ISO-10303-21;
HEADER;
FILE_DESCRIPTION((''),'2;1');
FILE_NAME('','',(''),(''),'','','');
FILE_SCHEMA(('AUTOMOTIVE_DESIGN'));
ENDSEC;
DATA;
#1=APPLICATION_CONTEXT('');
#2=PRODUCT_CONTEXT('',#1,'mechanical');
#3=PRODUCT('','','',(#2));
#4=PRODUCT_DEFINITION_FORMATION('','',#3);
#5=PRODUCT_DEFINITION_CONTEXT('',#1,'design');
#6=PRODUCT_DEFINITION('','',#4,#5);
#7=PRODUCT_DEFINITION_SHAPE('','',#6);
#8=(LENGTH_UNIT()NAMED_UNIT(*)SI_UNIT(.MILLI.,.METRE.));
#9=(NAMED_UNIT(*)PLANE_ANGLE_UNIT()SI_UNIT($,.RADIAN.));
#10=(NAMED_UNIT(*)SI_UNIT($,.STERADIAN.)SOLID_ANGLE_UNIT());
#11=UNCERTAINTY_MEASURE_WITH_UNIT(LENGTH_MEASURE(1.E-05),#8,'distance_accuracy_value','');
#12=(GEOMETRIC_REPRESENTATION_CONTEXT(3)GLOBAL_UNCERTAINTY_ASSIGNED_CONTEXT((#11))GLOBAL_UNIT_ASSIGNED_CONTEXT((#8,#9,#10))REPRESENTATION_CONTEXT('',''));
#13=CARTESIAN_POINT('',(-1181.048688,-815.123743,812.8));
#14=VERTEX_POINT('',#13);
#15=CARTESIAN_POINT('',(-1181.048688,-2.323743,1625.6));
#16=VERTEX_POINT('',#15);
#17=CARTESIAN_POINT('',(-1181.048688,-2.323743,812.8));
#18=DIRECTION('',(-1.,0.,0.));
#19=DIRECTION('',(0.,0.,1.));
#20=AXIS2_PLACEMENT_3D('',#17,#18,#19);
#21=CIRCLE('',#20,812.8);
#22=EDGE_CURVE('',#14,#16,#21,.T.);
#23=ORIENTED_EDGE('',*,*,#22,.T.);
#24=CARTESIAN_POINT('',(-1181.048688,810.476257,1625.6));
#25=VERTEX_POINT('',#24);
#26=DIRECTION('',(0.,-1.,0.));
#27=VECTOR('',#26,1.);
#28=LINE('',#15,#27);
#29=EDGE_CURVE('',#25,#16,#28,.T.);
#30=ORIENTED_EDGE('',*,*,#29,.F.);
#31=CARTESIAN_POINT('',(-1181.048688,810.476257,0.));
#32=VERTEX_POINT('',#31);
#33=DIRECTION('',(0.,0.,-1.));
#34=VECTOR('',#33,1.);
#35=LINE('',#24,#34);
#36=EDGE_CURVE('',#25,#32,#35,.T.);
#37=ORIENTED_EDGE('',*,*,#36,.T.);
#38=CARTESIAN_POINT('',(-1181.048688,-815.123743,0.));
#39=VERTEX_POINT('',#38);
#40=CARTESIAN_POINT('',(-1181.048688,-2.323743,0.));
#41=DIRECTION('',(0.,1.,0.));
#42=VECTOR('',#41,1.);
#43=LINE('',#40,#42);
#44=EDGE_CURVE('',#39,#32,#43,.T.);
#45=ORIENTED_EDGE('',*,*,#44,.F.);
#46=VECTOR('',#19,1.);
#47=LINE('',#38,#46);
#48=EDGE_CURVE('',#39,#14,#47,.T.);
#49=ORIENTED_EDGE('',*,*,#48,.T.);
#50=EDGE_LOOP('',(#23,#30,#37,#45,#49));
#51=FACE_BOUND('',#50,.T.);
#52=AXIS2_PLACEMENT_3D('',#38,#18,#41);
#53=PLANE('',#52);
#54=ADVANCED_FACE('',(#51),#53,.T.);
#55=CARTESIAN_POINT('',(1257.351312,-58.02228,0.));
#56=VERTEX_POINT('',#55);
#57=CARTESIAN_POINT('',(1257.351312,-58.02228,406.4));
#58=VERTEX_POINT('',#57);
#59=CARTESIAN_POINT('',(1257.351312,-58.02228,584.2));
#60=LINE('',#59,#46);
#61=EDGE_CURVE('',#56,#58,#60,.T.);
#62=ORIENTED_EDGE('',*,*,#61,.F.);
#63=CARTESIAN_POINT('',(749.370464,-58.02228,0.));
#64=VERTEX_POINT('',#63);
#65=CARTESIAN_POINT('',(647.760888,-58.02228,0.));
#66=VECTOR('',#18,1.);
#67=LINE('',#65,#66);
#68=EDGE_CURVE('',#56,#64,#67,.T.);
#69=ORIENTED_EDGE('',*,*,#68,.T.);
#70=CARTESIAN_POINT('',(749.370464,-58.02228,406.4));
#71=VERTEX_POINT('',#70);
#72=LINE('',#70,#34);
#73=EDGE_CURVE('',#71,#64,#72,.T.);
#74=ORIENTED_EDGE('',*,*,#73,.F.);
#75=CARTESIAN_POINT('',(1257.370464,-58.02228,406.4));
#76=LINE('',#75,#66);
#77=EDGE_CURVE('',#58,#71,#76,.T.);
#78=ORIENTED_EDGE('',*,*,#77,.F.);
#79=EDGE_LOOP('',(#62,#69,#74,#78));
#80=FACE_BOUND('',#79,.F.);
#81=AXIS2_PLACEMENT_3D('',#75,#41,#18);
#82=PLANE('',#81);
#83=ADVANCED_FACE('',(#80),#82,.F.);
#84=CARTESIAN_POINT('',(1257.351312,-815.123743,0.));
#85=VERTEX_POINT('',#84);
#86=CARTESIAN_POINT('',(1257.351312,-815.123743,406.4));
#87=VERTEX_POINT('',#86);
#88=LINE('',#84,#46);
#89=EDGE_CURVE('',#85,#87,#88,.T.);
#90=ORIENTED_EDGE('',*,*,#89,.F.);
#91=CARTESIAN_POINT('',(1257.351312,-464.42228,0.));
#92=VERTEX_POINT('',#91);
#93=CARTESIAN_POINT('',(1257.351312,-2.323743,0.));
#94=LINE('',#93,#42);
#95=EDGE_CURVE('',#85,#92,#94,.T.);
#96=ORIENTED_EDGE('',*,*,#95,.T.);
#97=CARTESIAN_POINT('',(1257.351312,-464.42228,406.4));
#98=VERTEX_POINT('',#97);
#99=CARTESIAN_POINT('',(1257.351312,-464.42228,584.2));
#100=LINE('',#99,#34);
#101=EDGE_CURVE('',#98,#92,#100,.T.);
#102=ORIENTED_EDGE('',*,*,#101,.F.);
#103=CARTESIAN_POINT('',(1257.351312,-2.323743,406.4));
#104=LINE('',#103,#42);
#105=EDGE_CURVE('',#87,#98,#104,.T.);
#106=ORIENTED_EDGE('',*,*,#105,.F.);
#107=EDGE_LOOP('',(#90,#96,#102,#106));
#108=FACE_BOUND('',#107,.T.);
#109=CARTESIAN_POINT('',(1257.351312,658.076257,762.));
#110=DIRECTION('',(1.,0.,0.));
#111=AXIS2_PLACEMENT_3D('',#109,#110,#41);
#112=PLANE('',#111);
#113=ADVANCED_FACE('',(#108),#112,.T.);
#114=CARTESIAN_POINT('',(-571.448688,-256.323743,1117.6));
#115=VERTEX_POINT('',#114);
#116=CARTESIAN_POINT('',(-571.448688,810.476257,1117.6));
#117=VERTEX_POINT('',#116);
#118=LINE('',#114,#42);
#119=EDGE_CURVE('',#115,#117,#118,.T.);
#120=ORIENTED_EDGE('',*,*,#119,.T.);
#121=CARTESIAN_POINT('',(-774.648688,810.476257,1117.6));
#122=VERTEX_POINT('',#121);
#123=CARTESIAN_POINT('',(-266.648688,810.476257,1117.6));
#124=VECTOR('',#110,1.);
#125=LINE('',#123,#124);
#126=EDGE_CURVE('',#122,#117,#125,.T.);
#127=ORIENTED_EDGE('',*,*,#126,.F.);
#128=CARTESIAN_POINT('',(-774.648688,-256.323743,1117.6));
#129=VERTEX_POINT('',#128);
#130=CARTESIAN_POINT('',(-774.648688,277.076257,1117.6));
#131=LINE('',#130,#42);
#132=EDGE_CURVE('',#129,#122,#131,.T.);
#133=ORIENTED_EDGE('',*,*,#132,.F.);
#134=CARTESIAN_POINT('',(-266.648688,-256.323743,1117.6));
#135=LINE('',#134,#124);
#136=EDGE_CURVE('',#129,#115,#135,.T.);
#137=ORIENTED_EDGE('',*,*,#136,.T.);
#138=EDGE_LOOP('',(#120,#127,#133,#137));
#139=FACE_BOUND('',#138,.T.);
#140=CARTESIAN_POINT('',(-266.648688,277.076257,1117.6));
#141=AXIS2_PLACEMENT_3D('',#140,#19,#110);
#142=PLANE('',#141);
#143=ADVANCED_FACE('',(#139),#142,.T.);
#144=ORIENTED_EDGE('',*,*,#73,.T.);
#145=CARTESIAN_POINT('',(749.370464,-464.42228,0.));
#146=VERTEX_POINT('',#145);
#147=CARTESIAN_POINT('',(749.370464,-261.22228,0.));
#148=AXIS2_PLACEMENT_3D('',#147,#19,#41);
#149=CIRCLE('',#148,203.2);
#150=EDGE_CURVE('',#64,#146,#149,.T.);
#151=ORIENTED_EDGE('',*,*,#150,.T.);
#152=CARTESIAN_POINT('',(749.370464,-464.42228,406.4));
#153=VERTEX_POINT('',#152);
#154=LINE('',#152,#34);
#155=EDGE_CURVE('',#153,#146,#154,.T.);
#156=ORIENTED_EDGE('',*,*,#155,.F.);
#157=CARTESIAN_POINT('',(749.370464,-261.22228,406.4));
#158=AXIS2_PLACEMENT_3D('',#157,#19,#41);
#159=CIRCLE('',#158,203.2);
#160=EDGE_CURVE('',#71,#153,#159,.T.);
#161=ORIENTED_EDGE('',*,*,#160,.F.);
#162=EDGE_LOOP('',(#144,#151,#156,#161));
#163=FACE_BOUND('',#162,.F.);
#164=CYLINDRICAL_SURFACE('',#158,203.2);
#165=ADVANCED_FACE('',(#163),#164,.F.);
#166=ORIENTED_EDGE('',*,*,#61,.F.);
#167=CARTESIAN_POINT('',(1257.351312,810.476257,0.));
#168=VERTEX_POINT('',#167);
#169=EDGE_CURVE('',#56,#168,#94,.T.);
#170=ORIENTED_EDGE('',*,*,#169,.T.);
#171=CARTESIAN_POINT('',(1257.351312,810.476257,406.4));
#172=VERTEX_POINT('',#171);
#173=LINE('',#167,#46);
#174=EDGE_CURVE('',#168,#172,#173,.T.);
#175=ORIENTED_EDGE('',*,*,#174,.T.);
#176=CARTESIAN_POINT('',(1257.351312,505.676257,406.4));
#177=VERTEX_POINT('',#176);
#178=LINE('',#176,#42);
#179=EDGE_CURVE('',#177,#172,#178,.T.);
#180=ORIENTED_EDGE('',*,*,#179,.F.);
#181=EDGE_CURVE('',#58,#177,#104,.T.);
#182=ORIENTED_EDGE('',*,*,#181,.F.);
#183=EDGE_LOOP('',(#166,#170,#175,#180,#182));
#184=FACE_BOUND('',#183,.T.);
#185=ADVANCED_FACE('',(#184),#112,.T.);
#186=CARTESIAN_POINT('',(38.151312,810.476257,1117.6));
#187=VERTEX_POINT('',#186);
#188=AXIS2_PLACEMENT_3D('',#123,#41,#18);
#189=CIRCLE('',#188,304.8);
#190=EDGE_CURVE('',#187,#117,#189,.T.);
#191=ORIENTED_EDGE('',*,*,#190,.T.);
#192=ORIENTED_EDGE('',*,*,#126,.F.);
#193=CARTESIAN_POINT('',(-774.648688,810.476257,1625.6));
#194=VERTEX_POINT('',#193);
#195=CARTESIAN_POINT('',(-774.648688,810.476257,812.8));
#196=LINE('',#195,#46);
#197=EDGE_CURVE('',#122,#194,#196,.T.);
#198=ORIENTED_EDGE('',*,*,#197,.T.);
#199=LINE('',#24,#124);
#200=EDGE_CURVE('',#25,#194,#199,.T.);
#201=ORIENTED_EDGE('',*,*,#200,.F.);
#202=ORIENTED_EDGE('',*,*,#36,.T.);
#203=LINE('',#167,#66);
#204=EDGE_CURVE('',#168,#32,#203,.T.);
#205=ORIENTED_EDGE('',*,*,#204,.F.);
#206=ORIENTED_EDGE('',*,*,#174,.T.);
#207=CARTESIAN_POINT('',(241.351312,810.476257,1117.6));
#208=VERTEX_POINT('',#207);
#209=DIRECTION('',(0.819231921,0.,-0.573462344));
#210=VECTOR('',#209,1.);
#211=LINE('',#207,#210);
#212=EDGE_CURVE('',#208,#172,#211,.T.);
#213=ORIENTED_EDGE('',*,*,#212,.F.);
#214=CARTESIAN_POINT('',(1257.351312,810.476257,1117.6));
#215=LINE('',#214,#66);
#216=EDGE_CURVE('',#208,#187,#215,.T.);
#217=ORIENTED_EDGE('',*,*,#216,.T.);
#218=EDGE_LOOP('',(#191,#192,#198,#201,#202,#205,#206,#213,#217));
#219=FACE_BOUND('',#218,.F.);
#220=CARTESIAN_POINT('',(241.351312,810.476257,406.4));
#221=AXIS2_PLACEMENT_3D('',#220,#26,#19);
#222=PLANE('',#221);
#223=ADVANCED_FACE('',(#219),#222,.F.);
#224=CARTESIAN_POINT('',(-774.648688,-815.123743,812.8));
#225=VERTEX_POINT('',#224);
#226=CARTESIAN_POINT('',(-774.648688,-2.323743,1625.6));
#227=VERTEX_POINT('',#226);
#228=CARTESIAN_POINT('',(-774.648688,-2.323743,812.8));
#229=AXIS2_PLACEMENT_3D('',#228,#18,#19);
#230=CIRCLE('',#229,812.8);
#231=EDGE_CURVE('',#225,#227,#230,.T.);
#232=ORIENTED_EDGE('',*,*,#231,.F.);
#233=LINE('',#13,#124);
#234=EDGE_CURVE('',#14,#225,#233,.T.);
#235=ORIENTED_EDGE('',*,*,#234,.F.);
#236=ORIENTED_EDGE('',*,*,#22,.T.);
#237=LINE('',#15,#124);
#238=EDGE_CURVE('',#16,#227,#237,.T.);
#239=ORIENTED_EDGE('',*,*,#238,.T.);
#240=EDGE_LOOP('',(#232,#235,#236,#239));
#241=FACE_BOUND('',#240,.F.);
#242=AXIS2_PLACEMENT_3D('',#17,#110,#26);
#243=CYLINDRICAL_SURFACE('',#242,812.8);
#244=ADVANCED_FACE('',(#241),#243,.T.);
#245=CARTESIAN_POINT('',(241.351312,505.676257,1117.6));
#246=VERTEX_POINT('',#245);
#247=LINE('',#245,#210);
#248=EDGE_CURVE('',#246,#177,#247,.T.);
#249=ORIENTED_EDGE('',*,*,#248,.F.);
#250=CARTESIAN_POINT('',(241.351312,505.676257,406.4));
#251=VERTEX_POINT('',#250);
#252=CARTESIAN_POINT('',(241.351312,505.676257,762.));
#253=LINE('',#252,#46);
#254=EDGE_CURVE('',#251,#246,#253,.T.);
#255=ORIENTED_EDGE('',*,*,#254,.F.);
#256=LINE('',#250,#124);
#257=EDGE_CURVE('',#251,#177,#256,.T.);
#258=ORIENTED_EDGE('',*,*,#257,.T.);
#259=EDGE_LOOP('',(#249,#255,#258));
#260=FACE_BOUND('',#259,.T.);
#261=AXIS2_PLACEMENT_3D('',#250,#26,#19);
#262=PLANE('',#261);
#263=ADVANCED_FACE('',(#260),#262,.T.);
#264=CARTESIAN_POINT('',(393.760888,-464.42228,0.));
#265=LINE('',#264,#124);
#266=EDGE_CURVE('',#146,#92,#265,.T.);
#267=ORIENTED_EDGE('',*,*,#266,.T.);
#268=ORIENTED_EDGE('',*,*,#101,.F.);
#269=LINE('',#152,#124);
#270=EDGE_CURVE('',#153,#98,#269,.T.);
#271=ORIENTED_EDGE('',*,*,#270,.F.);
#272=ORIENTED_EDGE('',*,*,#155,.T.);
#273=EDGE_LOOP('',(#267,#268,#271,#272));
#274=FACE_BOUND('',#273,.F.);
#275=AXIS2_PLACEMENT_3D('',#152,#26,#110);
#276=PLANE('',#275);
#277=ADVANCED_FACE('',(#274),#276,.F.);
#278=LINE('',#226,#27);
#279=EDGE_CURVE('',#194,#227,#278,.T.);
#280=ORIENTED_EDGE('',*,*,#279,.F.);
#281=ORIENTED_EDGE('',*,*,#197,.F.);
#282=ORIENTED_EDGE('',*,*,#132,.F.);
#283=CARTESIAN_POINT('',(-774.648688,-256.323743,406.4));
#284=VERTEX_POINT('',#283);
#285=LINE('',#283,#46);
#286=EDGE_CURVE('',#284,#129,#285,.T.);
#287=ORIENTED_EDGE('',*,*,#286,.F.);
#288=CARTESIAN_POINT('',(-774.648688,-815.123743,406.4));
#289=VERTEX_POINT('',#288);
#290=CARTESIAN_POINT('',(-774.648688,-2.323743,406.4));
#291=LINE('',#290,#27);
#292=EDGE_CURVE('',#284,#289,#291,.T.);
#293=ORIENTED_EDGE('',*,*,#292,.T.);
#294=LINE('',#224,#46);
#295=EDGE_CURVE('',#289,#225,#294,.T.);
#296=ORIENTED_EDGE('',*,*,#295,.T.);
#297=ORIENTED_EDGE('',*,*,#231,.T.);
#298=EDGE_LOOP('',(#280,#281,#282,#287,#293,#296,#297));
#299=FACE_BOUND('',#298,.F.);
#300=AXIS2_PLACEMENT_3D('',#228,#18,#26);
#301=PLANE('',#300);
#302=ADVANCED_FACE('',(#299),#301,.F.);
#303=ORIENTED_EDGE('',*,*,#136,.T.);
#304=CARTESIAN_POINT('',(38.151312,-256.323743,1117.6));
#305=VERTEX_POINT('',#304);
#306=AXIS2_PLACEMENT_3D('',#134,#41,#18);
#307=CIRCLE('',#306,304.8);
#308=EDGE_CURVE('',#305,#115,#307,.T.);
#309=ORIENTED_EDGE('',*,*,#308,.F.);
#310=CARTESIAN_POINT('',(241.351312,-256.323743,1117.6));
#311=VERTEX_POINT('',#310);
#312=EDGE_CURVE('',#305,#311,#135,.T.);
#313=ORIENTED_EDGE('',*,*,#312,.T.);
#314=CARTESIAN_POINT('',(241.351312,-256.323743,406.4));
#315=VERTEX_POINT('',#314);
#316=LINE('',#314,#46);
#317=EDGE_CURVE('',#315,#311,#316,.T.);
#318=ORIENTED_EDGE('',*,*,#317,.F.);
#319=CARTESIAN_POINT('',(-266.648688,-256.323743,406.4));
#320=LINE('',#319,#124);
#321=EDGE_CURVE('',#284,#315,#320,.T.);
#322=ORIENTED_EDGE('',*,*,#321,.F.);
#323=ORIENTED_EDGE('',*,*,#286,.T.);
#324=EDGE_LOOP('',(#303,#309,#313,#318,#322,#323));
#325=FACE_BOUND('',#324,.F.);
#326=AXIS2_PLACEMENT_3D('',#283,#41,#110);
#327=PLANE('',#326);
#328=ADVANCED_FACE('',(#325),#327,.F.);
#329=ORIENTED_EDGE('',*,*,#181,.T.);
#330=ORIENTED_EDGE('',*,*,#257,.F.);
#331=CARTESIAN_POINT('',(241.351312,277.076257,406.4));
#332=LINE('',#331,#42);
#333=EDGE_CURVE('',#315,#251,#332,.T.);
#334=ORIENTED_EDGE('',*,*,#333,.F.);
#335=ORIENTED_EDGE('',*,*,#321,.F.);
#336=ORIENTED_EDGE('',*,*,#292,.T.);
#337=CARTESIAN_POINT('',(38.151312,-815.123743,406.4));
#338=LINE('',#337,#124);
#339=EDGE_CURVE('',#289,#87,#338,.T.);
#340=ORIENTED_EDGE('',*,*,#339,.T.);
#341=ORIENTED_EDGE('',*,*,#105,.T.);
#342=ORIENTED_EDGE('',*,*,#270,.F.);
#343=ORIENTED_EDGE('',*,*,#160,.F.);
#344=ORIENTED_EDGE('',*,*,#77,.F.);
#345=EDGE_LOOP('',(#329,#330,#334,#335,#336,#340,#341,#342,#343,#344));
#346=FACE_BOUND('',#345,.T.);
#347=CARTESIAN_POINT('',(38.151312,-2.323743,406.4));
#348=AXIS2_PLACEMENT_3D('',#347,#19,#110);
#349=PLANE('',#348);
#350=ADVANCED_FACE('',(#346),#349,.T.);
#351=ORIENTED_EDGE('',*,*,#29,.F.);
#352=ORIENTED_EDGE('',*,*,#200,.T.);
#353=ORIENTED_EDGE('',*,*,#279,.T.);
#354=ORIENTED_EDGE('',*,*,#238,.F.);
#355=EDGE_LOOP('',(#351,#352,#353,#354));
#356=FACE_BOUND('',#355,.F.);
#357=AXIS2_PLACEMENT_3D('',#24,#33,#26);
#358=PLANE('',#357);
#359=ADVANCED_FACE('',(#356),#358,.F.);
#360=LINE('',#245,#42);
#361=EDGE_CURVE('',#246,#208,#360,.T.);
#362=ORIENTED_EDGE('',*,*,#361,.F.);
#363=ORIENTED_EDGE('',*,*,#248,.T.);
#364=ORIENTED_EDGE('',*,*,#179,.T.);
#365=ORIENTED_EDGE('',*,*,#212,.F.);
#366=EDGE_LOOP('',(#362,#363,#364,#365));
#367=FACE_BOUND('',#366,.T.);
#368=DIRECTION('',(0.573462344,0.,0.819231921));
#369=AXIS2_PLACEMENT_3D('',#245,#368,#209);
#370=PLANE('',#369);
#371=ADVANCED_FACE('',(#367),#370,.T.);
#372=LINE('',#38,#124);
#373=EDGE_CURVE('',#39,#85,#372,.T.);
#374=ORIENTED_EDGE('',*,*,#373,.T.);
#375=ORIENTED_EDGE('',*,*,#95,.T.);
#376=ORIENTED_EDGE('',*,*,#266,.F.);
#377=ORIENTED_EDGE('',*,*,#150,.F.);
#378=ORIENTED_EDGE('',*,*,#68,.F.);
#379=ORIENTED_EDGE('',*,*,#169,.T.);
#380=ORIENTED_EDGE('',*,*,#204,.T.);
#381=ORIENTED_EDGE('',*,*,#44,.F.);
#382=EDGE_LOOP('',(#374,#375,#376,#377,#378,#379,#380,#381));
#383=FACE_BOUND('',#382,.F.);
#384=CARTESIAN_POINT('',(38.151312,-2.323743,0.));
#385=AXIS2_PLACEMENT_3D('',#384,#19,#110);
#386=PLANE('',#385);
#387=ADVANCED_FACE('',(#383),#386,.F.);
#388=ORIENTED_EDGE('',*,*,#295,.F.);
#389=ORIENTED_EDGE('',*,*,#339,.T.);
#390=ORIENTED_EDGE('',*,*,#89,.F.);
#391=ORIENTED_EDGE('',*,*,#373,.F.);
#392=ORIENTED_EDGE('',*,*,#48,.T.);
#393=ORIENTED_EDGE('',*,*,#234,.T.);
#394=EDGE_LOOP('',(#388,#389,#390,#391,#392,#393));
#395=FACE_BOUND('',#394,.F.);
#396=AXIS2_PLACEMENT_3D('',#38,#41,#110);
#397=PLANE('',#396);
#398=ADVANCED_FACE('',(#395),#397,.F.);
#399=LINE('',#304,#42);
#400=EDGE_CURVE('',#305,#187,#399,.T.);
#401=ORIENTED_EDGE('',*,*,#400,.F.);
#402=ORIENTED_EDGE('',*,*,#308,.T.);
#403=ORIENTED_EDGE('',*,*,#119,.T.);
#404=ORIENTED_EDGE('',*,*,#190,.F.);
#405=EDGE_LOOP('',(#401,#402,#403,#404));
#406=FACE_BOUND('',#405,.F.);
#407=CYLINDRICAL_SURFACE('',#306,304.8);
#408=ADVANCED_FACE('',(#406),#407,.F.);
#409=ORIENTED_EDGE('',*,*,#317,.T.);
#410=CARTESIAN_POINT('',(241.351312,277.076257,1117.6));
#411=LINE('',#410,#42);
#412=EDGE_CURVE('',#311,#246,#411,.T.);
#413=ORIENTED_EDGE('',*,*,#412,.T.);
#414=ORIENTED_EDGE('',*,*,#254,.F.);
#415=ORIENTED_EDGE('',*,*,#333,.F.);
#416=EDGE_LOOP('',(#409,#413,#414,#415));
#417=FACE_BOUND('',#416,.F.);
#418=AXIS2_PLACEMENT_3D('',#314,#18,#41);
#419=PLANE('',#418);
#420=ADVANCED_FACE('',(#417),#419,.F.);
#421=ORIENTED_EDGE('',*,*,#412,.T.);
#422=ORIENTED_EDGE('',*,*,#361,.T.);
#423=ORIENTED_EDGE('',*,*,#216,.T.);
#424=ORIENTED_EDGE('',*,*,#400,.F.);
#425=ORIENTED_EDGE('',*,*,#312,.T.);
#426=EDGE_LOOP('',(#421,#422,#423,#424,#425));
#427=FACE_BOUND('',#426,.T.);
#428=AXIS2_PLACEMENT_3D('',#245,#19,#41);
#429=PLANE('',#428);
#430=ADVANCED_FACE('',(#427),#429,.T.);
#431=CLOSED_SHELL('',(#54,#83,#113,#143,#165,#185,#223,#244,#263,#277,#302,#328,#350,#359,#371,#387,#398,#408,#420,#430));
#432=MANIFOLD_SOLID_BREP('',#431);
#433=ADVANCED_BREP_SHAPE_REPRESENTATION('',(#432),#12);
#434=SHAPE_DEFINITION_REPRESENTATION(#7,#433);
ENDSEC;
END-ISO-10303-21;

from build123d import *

# Parameters (mm, degrees)
F0_W      = 2438.4
F0_H      = 1625.6
F1_DEPTH  = 406.4
F2_W      = 1625.6
F2_H      = 1625.6
F3_DEPTH  = 406.4
F4_W      = 1016
F4_H      = 1066.8
F5_DEPTH  = 711.2
F8_R      = 812.8
F9_W      = 304.8
F9_H      = 711.2
F10_DEPTH = 1016
F14_DEPTH = 574.04


with BuildPart() as f1:
    # F0 (on Top) → F1 (new body)
    with BuildSketch(Plane.XY):
        with Locations((38.1513122704, -2.3237429559)):
            Rectangle(F0_W, F0_H)
    extrude(amount=F1_DEPTH)

    # F2 (on face) → F3 (join)
    with BuildSketch(Plane(origin=(-1181.0486877296, 0, 0), x_dir=(0, -1, 0), z_dir=(-1, 0, 0))):
        with Locations((2.3237429559, 812.8)):
            Rectangle(F2_W, F2_H)
    extrude(amount=-F3_DEPTH)

    # F4 (on face) → F5 (join)
    with BuildSketch(Plane.XY.offset(406.4)):
        with Locations((-266.6486877296, 277.0762570441)):
            Rectangle(F4_W, F4_H)
    extrude(amount=F5_DEPTH)

    # F7: sweep along a path in F7_path
    with BuildLine(Plane(origin=(241.3513122704, -256.3237429559, 1117.6), x_dir=(0, -1, 0), z_dir=(0, 0, -1))) as f7_path:
        Line((0, 0), (-1066.8, 0))
    # F6 (on face) → F7 (sweep, cut)
    with BuildSketch(Plane.XZ.offset(256.3237429559)):
        with BuildLine():
            ThreePointArc((-571.4486877296, 1117.6), (-266.6486877296, 812.8), (38.1513122704, 1117.6))
            Line((38.1513122704, 1117.6), (-571.4486877296, 1117.6))
        make_face()
    sweep(path=f7_path.line, mode=Mode.SUBTRACT)

    # F8
    f8_edges = [f1.edges().sort_by_distance(p)[0] for p in [
        (-977.848688, -815.123743, 1625.6),
    ]]
    fillet(f8_edges, radius=F8_R)

    # F9 (on face) → F10 (join)
    with BuildSketch(Plane.YZ.offset(241.3513122704)):
        with Locations((658.0762570441, 762)):
            Rectangle(F9_W, F9_H)
    extrude(amount=F10_DEPTH)

    # F12: sweep along a path in F12_path
    with BuildLine(Plane(origin=(1257.3513122704, 505.6762570441, 1117.6), x_dir=(0, -1, 0), z_dir=(0, 0, -1))) as f12_path:
        Line((0, 0), (-304.8, 0))
    # F11 (on face) → F12 (sweep, cut)
    with BuildSketch(Plane.XZ.offset(-505.6762570441)):
        Polygon((1257.3513122704, 1117.6), (241.3513122704, 1117.6), (1257.3513122704, 406.4), align=None)
    sweep(path=f12_path.line, mode=Mode.SUBTRACT)

    # F13 (on face) → F14 (cut)
    with BuildSketch(Plane.XY.offset(406.4)):
        with BuildLine():
            Line((749.3704638481, -464.4222796372), (1257.3704638481, -464.4222796372))
            Line((1257.3704638481, -464.4222796372), (1257.3704638481, -58.0222796372))
            Line((1257.3704638481, -58.0222796372), (749.3704638481, -58.0222796372))
            ThreePointArc((749.3704638481, -58.0222796372), (893.0545617852, -117.5381817001), (952.5704638481, -261.2222796372))
            ThreePointArc((952.5704638481, -261.2222796372), (893.0545617852, -404.9063775744), (749.3704638481, -464.4222796372))
        make_face()
        with BuildLine():
            ThreePointArc((749.3704638481, -58.0222796372), (546.1704638481, -261.2222796372), (749.3704638481, -464.4222796372))
            Line((749.3704638481, -464.4222796372), (749.3704638481, -58.0222796372))
        make_face()
        with BuildLine():
            Line((749.3704638481, -58.0222796372), (749.3704638481, -464.4222796372))
            ThreePointArc((749.3704638481, -464.4222796372), (893.0545617852, -404.9063775744), (952.5704638481, -261.2222796372))
            ThreePointArc((952.5704638481, -261.2222796372), (893.0545617852, -117.5381817001), (749.3704638481, -58.0222796372))
        make_face()
    extrude(amount=-F14_DEPTH, mode=Mode.SUBTRACT)


solid = f1.part
